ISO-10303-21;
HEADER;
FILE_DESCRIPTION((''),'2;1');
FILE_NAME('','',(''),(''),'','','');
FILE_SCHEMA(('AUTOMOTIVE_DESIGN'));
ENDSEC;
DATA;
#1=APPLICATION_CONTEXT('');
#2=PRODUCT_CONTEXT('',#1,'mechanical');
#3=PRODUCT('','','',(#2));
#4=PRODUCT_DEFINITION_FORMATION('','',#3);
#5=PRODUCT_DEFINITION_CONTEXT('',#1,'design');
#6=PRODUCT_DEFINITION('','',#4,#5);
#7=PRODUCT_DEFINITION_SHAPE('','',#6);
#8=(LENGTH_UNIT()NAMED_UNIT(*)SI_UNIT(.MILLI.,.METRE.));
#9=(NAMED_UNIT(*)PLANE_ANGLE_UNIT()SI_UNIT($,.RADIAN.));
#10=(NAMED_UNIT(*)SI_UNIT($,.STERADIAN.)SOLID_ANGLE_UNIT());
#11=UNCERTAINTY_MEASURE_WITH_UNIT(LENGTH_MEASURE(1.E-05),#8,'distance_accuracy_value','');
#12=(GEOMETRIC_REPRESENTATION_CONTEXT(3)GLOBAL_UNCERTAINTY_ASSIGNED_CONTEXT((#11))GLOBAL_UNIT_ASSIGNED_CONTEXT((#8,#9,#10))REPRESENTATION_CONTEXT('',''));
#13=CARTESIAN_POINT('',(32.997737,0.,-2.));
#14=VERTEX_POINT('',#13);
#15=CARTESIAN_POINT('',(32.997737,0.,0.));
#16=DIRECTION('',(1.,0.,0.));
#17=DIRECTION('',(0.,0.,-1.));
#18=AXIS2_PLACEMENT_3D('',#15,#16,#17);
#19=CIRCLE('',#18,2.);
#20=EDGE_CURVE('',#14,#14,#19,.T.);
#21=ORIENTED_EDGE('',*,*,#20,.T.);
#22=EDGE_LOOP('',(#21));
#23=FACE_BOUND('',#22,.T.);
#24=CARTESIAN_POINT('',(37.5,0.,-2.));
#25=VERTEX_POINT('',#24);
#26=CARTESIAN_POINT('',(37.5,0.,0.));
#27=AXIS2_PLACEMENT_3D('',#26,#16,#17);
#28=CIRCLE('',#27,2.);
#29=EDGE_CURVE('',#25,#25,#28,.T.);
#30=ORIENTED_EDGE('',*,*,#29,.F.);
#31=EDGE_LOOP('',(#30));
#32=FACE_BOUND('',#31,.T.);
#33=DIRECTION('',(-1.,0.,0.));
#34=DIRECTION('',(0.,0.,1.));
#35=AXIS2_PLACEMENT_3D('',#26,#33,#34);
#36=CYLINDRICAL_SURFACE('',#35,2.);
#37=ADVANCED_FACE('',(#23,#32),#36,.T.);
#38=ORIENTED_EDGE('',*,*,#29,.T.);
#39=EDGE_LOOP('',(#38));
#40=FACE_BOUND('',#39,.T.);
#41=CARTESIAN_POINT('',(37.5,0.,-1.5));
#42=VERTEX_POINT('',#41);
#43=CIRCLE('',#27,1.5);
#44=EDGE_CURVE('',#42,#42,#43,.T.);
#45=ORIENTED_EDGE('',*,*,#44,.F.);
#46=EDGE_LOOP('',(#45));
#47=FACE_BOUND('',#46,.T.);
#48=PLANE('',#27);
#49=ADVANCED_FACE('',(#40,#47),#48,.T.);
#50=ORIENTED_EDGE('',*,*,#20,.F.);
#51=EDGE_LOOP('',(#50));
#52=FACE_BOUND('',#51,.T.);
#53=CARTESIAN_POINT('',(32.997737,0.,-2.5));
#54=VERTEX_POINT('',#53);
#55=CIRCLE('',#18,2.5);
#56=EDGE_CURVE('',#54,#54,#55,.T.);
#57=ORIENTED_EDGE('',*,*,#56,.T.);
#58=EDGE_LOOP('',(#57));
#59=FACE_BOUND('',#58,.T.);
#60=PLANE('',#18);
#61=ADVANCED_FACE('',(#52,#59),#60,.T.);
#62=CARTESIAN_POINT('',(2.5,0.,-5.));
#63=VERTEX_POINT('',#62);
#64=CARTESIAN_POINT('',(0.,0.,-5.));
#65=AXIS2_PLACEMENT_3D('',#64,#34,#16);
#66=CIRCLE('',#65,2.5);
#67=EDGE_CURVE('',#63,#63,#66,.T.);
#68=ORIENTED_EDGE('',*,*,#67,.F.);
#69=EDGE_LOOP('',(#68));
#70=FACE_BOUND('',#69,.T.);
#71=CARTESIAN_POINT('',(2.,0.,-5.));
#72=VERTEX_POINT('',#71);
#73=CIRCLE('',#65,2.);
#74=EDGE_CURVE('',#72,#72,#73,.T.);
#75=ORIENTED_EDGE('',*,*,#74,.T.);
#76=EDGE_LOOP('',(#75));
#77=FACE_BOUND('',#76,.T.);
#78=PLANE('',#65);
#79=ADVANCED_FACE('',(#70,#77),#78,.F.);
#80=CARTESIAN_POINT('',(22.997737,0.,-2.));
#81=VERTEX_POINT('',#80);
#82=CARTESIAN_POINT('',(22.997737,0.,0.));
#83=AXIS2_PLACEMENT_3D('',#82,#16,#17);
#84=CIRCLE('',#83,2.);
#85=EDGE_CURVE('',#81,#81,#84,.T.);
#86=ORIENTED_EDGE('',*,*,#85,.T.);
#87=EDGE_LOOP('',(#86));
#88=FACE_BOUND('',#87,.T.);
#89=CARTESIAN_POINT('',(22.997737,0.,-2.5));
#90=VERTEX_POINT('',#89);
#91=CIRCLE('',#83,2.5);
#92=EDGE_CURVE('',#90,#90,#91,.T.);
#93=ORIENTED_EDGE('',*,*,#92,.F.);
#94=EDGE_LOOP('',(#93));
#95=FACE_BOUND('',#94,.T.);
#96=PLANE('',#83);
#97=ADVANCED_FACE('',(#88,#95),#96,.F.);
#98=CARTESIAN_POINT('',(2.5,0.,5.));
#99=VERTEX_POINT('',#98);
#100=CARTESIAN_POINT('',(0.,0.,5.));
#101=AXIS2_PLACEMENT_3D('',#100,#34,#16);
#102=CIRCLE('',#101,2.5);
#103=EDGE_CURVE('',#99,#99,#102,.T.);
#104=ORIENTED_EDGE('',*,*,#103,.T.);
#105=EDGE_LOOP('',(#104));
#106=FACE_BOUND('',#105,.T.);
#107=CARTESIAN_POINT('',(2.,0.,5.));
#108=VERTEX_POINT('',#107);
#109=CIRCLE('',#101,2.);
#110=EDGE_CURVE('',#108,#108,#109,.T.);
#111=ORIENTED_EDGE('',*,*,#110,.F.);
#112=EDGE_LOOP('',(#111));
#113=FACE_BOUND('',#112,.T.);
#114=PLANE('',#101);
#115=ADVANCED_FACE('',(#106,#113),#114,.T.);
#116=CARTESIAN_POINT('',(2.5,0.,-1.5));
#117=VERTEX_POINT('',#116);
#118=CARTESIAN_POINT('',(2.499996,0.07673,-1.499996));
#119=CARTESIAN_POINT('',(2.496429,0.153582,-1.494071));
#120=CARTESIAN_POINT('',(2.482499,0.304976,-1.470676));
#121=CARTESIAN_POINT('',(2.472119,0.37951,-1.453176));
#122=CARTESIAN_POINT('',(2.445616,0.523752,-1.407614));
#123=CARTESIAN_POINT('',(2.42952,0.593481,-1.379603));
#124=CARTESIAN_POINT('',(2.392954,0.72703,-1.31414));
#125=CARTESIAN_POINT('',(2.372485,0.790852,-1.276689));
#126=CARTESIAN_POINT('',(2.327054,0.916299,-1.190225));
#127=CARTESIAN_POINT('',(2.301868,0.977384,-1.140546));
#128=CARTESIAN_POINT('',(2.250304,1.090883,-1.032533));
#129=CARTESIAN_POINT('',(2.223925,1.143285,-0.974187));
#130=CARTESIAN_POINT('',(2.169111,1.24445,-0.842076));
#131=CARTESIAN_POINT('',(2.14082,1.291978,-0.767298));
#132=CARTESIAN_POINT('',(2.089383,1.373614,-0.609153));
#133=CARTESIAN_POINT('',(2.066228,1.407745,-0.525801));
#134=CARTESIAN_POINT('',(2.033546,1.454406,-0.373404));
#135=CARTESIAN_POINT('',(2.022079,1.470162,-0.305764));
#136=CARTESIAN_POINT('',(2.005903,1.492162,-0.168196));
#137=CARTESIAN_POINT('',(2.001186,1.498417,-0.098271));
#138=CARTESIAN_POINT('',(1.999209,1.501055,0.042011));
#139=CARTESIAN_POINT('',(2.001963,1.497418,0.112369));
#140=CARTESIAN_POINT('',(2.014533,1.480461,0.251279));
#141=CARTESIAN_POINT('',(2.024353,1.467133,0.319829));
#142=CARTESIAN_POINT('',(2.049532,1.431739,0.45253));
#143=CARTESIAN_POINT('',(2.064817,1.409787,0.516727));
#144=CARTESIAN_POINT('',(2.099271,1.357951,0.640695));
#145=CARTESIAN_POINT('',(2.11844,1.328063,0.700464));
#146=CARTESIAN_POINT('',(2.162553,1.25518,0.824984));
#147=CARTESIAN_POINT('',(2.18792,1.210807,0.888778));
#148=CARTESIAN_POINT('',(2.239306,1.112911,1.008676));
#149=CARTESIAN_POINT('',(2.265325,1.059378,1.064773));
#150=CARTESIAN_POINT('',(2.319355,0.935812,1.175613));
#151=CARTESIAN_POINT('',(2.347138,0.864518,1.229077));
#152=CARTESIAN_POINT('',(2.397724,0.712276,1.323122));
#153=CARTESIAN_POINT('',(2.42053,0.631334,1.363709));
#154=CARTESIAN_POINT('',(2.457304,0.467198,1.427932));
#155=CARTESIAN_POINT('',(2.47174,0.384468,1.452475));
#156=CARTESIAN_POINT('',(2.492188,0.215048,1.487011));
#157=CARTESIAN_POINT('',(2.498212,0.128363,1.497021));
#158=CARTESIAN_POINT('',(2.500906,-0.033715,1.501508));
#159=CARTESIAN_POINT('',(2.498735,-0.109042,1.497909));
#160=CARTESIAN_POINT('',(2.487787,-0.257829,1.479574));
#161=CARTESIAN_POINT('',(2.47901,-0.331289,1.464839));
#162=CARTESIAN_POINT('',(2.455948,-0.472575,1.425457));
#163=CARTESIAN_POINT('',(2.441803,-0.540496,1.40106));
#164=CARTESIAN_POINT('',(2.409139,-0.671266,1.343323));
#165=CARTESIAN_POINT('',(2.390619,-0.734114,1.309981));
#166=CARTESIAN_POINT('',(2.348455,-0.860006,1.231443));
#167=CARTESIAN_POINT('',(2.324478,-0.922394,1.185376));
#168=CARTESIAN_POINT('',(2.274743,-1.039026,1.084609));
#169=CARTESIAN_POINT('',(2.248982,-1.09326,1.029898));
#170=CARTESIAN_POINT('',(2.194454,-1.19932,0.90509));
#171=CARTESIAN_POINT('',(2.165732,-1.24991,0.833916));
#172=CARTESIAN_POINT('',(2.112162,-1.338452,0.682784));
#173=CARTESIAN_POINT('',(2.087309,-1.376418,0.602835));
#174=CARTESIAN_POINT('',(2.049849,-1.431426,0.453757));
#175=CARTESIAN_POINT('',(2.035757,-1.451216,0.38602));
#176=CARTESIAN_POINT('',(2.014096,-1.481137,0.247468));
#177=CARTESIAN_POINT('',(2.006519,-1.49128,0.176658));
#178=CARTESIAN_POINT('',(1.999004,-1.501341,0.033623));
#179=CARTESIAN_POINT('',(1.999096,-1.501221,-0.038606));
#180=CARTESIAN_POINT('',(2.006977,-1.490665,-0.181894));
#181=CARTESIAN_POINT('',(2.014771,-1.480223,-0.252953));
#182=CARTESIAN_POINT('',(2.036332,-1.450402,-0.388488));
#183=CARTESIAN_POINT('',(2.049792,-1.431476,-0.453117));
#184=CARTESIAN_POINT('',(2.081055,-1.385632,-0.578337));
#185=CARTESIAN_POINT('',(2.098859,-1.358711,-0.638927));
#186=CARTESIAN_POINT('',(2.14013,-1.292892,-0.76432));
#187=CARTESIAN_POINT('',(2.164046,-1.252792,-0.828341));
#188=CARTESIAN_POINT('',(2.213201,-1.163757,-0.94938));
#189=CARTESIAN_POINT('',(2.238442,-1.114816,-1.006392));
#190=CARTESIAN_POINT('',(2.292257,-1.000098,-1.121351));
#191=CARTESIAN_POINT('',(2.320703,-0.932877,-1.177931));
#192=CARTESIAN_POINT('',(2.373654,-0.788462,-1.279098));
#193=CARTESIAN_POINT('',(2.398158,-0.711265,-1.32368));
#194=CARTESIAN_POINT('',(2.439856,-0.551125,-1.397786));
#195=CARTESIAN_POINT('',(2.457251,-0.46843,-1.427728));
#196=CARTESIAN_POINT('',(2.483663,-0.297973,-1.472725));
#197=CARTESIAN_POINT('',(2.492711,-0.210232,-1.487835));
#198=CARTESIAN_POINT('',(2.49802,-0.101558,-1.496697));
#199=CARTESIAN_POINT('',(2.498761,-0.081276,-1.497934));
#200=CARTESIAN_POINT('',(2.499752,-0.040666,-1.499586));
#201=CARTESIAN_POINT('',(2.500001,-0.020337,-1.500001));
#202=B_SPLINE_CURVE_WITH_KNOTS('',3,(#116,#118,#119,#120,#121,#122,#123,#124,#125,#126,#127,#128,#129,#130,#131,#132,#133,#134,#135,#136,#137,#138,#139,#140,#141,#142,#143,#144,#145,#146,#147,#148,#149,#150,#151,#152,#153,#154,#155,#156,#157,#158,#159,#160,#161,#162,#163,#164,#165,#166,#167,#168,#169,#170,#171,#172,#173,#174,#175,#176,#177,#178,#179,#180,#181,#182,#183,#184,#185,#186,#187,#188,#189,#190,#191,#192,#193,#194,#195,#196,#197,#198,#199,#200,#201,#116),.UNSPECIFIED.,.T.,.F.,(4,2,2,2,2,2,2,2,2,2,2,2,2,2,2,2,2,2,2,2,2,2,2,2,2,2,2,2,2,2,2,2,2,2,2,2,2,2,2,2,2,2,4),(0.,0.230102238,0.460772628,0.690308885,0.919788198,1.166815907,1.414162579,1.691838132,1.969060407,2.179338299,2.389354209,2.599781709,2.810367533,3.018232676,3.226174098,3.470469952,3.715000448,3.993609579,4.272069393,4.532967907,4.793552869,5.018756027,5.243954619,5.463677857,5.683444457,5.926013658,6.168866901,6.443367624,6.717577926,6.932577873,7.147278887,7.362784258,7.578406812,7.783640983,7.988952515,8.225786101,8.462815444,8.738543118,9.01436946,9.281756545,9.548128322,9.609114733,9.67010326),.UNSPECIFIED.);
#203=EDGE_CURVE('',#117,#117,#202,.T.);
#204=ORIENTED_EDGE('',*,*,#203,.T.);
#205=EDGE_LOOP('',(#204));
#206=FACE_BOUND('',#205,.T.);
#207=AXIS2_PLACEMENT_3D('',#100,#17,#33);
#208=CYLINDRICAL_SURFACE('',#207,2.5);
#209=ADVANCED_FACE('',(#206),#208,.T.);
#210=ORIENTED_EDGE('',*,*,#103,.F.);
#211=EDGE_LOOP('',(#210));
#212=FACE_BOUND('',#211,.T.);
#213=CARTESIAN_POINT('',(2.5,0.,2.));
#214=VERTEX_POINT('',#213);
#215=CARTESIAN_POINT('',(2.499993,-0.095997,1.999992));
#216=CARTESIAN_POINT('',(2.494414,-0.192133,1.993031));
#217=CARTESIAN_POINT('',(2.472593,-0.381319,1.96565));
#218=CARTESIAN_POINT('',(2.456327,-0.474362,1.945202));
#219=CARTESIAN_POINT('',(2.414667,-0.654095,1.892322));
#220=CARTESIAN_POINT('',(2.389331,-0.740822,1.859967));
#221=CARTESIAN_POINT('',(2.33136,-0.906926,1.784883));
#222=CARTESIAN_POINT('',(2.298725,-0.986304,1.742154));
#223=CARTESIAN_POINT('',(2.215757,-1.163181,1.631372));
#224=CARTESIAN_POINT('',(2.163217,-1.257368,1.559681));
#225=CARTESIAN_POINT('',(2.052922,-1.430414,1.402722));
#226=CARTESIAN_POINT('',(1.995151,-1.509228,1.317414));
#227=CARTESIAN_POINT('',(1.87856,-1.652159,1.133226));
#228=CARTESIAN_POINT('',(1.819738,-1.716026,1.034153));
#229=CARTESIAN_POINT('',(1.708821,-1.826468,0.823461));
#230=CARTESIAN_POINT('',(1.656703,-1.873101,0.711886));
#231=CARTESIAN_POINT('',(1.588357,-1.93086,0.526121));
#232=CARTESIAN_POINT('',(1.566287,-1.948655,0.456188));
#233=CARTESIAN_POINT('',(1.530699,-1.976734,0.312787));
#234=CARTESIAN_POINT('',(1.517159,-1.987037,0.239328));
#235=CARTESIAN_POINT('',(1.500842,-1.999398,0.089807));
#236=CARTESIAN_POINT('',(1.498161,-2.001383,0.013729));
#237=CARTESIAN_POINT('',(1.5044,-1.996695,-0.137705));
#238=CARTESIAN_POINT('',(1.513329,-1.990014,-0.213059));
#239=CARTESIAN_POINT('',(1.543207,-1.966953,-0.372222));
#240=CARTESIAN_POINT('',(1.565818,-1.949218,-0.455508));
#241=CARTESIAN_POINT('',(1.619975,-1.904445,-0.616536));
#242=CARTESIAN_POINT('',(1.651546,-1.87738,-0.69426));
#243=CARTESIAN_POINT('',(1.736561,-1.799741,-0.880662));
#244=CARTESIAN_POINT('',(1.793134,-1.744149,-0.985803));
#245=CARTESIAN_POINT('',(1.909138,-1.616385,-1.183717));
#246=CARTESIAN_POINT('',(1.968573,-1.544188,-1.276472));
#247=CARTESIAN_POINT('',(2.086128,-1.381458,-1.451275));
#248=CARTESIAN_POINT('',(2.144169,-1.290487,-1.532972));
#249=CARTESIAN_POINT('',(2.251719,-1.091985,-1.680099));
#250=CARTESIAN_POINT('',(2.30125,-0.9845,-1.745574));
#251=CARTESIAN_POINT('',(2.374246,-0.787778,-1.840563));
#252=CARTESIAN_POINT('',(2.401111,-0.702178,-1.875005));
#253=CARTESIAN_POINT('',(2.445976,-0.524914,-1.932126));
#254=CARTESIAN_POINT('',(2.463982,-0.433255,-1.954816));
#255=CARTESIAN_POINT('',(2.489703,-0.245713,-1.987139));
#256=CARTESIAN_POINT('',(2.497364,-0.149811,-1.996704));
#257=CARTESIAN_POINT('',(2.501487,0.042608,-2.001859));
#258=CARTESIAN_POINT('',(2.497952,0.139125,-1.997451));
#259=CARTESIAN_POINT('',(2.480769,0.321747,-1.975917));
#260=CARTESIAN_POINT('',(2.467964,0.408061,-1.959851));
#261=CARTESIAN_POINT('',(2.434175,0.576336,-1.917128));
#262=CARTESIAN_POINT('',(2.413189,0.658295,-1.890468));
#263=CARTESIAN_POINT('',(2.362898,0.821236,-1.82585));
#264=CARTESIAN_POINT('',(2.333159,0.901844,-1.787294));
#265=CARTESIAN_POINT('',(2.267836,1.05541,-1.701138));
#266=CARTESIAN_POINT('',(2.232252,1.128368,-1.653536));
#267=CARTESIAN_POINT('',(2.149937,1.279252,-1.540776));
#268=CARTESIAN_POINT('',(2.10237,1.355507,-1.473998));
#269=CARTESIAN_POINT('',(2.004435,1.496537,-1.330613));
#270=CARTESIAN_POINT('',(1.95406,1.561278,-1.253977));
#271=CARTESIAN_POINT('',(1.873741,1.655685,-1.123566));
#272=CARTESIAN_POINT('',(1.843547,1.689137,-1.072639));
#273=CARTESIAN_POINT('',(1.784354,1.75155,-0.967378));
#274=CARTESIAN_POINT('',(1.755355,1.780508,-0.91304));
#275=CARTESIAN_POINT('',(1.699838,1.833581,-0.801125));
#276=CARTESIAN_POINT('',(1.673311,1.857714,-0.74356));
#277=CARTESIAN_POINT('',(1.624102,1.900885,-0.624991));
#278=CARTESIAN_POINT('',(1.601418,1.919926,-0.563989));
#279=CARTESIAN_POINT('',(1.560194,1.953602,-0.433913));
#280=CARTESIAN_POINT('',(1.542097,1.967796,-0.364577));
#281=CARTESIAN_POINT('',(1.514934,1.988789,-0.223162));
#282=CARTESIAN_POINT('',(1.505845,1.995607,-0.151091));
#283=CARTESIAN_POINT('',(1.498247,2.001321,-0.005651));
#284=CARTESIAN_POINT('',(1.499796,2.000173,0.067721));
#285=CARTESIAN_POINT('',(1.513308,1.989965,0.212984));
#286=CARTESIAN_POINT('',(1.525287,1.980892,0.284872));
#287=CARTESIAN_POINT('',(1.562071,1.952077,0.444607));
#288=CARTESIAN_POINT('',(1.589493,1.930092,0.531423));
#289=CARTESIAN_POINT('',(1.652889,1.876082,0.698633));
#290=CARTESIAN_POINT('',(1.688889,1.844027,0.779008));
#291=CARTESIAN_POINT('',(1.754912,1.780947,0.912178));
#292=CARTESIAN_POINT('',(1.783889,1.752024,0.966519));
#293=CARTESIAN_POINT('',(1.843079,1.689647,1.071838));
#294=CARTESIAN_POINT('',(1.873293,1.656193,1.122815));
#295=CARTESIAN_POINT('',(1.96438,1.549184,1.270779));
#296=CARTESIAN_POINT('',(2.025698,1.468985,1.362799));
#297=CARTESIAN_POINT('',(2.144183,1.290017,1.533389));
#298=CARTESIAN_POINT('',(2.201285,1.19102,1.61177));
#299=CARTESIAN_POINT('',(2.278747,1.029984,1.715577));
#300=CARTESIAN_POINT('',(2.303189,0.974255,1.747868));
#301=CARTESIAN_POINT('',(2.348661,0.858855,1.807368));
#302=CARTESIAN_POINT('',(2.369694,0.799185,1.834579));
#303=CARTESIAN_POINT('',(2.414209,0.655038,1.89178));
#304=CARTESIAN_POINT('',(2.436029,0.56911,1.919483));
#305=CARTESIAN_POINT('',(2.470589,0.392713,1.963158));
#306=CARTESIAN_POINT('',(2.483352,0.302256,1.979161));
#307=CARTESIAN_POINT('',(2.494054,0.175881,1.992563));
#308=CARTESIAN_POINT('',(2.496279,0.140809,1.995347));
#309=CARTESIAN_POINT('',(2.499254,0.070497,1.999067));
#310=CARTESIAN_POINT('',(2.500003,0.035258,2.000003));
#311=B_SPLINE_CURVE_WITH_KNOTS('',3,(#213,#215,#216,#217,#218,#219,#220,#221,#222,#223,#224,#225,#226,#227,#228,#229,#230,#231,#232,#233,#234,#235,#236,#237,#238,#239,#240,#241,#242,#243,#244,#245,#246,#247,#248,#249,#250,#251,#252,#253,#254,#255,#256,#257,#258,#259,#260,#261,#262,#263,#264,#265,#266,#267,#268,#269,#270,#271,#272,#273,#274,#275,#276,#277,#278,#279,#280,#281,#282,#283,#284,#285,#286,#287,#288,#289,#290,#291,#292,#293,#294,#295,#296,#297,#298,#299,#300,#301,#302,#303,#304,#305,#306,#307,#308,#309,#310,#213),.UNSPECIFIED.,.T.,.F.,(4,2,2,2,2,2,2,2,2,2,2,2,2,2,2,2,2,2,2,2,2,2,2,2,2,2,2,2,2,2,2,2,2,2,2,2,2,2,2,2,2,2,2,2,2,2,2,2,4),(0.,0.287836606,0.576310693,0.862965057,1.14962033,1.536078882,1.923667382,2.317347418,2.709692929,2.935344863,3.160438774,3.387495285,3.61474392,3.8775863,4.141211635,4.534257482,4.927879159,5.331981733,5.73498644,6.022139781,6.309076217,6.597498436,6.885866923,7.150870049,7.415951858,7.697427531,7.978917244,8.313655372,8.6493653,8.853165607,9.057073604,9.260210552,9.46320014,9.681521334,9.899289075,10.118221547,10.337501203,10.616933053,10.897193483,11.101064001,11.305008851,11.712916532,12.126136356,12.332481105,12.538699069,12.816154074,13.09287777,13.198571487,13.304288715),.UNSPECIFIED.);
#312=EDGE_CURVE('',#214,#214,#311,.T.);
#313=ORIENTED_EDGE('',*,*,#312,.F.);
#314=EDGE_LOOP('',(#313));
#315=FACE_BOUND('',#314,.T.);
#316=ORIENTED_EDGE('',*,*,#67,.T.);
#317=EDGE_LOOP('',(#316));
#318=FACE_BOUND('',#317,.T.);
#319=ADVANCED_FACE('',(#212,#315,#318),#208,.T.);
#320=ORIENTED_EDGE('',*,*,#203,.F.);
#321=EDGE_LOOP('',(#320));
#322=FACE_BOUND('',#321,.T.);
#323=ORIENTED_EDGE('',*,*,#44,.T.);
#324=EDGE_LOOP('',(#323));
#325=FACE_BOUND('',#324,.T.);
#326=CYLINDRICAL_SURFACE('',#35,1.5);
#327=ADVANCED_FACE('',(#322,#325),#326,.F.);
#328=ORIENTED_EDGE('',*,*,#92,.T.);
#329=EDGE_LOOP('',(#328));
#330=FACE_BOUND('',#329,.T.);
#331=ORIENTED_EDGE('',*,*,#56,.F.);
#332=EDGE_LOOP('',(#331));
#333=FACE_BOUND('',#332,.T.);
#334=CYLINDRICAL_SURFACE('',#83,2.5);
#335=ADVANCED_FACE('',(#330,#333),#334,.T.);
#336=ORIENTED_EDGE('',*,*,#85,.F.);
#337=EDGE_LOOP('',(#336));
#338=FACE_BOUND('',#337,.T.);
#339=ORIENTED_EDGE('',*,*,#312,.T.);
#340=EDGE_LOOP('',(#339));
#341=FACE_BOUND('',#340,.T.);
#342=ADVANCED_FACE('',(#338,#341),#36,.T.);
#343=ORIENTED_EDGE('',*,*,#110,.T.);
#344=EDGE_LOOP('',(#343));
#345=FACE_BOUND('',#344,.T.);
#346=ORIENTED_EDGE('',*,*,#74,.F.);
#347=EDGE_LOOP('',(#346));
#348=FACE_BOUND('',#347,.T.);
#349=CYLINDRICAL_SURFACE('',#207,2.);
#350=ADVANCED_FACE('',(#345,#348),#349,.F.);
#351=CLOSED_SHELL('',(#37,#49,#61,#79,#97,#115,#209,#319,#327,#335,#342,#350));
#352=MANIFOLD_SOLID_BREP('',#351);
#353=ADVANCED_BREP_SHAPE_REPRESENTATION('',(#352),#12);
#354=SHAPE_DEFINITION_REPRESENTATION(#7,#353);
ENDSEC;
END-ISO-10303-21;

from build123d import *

# Parameters (mm, degrees)
IZIM1_R                                 = 2.5
IZIM1_R_2                               = 2
Y_KSEKLIK_EKSTR_ZYON1_DEPTH             = 5
IZIM2_R                                 = 2
IZIM2_R_2                               = 1.5
Y_KSEKLIK_EKSTR_ZYON2_DEPTH             = 35
Y_KSEKLIK_EKSTR_ZYON2_DIRECTION_2_REACH = 7
IZIM3_R                                 = 2.5
IZIM3_R_2                               = 2
Y_KSEKLIK_EKSTR_ZYON3_DEPTH             = 10


with BuildPart() as part:
    # Çizim1 → Yükseklik-Ekstrüzyon1 (new body, symmetric)
    with BuildSketch(Plane.XY):
        Circle(IZIM1_R)
        Circle(IZIM1_R_2, mode=Mode.SUBTRACT)
    extrude(amount=Y_KSEKLIK_EKSTR_ZYON1_DEPTH, both=True)

    # Çizim2 → Yükseklik-Ekstrüzyon2 (add)
    with BuildSketch(Plane(origin=(2.5, 0, 0), x_dir=(0, 0, -1), z_dir=(1, 0, 0))):
        Circle(IZIM2_R)
        Circle(IZIM2_R_2, mode=Mode.SUBTRACT)
    extrude(amount=Y_KSEKLIK_EKSTR_ZYON2_DEPTH)

    # Çizim2 → Yükseklik-Ekstrüzyon2 direction 2 (add, up to next)
    with BuildSketch(Plane(origin=(2.5, 0, 0), x_dir=(0, 0, -1), z_dir=(1, 0, 0)), mode=Mode.PRIVATE) as y_kseklik_ekstr_zyon2_direction_2_sk1:
        Circle(IZIM2_R)
        Circle(IZIM2_R_2, mode=Mode.SUBTRACT)
    y_kseklik_ekstr_zyon2_direction_2_tool1 = extrude(y_kseklik_ekstr_zyon2_direction_2_sk1.sketch, amount=-Y_KSEKLIK_EKSTR_ZYON2_DIRECTION_2_REACH, mode=Mode.PRIVATE) - part.part
    add(y_kseklik_ekstr_zyon2_direction_2_tool1.solids().sort_by_distance((2.5, 0, 1.943431))[0])
    add(y_kseklik_ekstr_zyon2_direction_2_tool1.solids().sort_by_distance((2.5, 0, 1.943431))[1])

    # Çizim3 → Yükseklik-Ekstrüzyon3 (add)
    with BuildSketch(Plane(origin=(32.997737042, 0, 0), x_dir=(0, 0, -1), z_dir=(1, 0, 0))):
        Circle(IZIM3_R)
        Circle(IZIM3_R_2, mode=Mode.SUBTRACT)
    extrude(amount=-Y_KSEKLIK_EKSTR_ZYON3_DEPTH)


solid = part.part
